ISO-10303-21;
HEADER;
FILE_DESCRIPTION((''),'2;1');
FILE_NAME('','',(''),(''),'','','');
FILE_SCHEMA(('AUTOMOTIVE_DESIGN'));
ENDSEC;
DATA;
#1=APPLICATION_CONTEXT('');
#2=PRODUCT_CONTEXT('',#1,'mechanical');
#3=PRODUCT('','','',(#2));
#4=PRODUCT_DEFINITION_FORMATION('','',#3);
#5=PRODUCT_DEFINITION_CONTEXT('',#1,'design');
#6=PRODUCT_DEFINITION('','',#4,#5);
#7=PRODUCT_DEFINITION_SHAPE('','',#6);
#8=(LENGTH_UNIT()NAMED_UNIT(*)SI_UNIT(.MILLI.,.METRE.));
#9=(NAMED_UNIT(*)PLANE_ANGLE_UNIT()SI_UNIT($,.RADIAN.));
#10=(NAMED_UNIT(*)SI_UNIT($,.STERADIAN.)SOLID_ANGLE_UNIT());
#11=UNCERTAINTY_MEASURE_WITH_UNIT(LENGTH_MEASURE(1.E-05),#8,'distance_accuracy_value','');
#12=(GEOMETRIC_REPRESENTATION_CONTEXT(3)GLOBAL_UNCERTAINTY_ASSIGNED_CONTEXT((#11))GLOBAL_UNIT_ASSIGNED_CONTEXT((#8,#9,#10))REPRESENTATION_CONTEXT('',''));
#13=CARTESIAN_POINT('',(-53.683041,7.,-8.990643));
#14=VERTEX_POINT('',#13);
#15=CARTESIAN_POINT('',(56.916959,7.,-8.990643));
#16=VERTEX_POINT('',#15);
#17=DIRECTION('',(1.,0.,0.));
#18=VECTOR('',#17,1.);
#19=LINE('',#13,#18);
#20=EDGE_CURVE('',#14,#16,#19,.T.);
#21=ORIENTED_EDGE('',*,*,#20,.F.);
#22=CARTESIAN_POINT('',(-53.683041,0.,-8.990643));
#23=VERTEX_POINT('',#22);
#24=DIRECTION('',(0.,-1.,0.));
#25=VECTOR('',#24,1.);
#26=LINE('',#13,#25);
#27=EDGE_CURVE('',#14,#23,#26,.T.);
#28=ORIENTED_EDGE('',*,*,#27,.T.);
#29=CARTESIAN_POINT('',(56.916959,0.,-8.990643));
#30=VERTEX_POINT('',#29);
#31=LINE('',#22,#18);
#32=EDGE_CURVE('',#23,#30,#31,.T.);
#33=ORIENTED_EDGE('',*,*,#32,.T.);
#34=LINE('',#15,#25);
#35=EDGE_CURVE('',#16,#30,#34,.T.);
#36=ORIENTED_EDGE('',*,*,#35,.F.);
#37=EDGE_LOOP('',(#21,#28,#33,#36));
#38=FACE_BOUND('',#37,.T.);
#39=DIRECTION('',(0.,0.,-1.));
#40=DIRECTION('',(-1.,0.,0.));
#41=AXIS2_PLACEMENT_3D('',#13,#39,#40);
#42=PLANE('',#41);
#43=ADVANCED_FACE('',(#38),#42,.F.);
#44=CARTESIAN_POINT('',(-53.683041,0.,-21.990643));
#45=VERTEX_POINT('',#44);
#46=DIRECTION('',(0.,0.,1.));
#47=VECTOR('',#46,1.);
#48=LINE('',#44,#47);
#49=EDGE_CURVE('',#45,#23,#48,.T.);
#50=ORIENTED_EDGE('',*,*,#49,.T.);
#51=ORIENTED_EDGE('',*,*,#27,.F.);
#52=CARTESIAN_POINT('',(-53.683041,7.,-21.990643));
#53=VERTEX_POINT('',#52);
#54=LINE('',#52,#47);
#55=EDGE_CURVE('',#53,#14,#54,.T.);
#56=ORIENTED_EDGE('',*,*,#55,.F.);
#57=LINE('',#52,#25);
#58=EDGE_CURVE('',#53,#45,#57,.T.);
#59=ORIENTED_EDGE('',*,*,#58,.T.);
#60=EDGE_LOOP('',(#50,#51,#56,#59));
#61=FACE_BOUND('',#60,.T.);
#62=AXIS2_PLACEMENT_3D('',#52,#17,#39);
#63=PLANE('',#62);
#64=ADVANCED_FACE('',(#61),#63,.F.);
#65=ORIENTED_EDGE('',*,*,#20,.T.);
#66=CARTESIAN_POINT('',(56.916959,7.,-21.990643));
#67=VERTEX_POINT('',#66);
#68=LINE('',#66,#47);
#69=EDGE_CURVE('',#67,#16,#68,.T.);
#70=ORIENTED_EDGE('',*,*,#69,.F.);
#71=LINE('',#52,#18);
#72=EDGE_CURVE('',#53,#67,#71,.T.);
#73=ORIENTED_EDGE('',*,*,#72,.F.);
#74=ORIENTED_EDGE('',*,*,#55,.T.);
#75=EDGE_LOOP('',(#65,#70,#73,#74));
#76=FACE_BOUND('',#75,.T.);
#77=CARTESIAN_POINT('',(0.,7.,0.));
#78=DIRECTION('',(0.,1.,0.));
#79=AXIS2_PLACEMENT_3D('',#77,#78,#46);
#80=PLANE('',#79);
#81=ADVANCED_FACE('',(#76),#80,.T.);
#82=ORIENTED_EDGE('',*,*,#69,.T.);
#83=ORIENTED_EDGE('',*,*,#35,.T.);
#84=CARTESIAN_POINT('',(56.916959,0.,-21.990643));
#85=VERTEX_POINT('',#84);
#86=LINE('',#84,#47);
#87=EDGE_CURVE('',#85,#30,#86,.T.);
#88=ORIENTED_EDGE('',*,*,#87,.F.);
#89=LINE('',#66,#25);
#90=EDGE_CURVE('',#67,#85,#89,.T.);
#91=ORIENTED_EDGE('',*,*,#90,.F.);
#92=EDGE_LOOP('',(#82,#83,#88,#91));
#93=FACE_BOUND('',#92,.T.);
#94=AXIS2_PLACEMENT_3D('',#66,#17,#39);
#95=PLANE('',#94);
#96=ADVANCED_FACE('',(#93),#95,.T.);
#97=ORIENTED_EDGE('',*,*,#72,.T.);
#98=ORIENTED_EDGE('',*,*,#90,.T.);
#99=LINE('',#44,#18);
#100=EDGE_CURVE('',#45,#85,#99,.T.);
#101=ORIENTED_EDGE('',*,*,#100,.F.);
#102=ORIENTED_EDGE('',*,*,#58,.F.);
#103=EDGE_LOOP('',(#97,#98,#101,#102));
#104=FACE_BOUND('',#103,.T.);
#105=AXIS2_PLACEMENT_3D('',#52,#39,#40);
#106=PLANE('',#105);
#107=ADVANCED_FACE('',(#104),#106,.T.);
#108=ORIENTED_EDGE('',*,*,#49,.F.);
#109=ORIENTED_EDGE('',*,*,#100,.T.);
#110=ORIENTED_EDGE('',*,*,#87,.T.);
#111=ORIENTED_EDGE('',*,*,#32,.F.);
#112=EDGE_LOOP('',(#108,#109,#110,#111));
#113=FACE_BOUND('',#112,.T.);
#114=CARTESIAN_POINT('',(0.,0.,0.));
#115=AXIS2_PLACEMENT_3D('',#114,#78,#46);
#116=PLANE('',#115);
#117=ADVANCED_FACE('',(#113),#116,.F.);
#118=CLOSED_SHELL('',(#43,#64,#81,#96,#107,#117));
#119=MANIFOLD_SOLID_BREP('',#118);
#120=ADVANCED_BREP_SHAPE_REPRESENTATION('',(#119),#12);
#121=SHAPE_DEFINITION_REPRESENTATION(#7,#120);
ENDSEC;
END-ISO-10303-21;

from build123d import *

# Parameters (mm, degrees)
SKETCH_1_W      = 110.6
SKETCH_1_H      = 13
EXTRUDE_1_DEPTH = 7


with BuildPart() as part:
    # 草图1 → 凸台-拉伸1 (new body)
    with BuildSketch(Plane(origin=(0, 0, 0), x_dir=(1, 0, 0), z_dir=(0, 1, 0))):
        with Locations((1.616959064, 15.490643275)):
            Rectangle(SKETCH_1_W, SKETCH_1_H)
    extrude(amount=EXTRUDE_1_DEPTH)


solid = part.part
